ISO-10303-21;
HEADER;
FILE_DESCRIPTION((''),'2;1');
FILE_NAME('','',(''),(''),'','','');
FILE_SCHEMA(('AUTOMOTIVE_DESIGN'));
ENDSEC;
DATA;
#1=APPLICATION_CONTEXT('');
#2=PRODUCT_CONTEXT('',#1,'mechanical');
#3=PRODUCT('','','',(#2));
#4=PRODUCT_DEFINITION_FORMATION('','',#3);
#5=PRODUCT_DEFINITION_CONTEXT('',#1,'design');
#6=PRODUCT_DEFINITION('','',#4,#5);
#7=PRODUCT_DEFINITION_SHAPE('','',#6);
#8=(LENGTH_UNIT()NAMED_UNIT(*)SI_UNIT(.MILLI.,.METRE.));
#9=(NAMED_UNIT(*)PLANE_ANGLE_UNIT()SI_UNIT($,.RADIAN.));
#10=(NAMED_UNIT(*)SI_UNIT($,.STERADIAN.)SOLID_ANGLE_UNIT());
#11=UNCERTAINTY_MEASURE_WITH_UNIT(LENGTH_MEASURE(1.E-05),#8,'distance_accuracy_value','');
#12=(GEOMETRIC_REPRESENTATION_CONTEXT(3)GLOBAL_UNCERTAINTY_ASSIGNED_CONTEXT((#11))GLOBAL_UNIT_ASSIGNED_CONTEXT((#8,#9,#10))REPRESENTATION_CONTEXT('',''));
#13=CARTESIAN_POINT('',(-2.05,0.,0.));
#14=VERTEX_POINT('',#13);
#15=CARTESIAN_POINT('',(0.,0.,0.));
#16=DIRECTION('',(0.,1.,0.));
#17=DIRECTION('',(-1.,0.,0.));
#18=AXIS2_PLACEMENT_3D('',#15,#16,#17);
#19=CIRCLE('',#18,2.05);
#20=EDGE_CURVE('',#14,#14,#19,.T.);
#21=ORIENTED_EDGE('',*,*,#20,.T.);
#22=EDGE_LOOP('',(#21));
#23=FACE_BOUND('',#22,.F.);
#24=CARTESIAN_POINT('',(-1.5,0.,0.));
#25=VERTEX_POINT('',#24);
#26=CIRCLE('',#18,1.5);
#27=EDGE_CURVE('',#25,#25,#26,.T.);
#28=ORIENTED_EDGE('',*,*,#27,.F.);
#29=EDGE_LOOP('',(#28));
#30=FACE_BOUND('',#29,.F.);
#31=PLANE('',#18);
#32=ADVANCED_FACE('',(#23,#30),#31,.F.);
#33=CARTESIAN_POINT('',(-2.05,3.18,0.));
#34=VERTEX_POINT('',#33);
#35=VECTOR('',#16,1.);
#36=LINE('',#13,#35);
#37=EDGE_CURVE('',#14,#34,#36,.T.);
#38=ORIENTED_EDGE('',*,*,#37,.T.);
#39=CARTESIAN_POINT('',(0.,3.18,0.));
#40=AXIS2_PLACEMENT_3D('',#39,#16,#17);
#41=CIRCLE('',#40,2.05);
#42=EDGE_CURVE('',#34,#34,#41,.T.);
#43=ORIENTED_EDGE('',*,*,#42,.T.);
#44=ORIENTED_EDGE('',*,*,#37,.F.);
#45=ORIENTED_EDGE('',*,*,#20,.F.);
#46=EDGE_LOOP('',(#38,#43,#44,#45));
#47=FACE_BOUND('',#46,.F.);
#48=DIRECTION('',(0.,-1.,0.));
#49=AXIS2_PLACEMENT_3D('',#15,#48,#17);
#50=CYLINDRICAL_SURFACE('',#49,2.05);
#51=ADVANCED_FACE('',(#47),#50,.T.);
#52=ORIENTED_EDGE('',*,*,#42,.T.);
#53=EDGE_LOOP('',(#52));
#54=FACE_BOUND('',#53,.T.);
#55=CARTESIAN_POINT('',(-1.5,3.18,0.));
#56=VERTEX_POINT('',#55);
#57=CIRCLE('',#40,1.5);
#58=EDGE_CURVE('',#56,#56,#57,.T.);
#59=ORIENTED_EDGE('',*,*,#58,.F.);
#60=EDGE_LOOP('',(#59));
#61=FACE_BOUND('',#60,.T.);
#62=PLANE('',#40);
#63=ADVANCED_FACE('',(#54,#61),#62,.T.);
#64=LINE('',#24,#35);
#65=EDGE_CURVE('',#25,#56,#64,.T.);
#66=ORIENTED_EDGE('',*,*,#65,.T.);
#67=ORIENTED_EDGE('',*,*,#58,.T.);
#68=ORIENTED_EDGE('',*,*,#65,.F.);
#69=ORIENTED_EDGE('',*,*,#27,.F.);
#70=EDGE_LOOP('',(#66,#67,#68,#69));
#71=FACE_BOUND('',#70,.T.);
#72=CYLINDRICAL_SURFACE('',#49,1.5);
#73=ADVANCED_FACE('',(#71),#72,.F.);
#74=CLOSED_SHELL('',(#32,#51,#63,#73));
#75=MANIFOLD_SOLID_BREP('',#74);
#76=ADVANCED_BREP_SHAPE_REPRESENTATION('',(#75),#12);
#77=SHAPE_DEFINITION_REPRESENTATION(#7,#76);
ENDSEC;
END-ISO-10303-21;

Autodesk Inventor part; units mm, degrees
ref_plane "YZ Plane" through (0, 0, 0) normal (1, 0, 0) x (0, 1, 0)
ref_plane "XZ Plane" through (0, 0, 0) normal (0, 1, 0) x (-1, 0, 0)
ref_plane "XY Plane" through (0, 0, 0) normal (0, 0, 1) x (1, 0, 0)
sketch "Sketch1" plane through (0, 0, 0) normal (0, 1, 0) x (-1, 0, 0)
  circle A0 centre (0, 0) radius 2.05
  circle A1 centre (0, 0) radius 1.5
  dimension "d0" = 4.1
  dimension "d1" = 3
extrude "Extrusion1" add sketch "Sketch1" along normal blind 3.18
properties part number "mtv-frontAxelBushing(2-25)"
